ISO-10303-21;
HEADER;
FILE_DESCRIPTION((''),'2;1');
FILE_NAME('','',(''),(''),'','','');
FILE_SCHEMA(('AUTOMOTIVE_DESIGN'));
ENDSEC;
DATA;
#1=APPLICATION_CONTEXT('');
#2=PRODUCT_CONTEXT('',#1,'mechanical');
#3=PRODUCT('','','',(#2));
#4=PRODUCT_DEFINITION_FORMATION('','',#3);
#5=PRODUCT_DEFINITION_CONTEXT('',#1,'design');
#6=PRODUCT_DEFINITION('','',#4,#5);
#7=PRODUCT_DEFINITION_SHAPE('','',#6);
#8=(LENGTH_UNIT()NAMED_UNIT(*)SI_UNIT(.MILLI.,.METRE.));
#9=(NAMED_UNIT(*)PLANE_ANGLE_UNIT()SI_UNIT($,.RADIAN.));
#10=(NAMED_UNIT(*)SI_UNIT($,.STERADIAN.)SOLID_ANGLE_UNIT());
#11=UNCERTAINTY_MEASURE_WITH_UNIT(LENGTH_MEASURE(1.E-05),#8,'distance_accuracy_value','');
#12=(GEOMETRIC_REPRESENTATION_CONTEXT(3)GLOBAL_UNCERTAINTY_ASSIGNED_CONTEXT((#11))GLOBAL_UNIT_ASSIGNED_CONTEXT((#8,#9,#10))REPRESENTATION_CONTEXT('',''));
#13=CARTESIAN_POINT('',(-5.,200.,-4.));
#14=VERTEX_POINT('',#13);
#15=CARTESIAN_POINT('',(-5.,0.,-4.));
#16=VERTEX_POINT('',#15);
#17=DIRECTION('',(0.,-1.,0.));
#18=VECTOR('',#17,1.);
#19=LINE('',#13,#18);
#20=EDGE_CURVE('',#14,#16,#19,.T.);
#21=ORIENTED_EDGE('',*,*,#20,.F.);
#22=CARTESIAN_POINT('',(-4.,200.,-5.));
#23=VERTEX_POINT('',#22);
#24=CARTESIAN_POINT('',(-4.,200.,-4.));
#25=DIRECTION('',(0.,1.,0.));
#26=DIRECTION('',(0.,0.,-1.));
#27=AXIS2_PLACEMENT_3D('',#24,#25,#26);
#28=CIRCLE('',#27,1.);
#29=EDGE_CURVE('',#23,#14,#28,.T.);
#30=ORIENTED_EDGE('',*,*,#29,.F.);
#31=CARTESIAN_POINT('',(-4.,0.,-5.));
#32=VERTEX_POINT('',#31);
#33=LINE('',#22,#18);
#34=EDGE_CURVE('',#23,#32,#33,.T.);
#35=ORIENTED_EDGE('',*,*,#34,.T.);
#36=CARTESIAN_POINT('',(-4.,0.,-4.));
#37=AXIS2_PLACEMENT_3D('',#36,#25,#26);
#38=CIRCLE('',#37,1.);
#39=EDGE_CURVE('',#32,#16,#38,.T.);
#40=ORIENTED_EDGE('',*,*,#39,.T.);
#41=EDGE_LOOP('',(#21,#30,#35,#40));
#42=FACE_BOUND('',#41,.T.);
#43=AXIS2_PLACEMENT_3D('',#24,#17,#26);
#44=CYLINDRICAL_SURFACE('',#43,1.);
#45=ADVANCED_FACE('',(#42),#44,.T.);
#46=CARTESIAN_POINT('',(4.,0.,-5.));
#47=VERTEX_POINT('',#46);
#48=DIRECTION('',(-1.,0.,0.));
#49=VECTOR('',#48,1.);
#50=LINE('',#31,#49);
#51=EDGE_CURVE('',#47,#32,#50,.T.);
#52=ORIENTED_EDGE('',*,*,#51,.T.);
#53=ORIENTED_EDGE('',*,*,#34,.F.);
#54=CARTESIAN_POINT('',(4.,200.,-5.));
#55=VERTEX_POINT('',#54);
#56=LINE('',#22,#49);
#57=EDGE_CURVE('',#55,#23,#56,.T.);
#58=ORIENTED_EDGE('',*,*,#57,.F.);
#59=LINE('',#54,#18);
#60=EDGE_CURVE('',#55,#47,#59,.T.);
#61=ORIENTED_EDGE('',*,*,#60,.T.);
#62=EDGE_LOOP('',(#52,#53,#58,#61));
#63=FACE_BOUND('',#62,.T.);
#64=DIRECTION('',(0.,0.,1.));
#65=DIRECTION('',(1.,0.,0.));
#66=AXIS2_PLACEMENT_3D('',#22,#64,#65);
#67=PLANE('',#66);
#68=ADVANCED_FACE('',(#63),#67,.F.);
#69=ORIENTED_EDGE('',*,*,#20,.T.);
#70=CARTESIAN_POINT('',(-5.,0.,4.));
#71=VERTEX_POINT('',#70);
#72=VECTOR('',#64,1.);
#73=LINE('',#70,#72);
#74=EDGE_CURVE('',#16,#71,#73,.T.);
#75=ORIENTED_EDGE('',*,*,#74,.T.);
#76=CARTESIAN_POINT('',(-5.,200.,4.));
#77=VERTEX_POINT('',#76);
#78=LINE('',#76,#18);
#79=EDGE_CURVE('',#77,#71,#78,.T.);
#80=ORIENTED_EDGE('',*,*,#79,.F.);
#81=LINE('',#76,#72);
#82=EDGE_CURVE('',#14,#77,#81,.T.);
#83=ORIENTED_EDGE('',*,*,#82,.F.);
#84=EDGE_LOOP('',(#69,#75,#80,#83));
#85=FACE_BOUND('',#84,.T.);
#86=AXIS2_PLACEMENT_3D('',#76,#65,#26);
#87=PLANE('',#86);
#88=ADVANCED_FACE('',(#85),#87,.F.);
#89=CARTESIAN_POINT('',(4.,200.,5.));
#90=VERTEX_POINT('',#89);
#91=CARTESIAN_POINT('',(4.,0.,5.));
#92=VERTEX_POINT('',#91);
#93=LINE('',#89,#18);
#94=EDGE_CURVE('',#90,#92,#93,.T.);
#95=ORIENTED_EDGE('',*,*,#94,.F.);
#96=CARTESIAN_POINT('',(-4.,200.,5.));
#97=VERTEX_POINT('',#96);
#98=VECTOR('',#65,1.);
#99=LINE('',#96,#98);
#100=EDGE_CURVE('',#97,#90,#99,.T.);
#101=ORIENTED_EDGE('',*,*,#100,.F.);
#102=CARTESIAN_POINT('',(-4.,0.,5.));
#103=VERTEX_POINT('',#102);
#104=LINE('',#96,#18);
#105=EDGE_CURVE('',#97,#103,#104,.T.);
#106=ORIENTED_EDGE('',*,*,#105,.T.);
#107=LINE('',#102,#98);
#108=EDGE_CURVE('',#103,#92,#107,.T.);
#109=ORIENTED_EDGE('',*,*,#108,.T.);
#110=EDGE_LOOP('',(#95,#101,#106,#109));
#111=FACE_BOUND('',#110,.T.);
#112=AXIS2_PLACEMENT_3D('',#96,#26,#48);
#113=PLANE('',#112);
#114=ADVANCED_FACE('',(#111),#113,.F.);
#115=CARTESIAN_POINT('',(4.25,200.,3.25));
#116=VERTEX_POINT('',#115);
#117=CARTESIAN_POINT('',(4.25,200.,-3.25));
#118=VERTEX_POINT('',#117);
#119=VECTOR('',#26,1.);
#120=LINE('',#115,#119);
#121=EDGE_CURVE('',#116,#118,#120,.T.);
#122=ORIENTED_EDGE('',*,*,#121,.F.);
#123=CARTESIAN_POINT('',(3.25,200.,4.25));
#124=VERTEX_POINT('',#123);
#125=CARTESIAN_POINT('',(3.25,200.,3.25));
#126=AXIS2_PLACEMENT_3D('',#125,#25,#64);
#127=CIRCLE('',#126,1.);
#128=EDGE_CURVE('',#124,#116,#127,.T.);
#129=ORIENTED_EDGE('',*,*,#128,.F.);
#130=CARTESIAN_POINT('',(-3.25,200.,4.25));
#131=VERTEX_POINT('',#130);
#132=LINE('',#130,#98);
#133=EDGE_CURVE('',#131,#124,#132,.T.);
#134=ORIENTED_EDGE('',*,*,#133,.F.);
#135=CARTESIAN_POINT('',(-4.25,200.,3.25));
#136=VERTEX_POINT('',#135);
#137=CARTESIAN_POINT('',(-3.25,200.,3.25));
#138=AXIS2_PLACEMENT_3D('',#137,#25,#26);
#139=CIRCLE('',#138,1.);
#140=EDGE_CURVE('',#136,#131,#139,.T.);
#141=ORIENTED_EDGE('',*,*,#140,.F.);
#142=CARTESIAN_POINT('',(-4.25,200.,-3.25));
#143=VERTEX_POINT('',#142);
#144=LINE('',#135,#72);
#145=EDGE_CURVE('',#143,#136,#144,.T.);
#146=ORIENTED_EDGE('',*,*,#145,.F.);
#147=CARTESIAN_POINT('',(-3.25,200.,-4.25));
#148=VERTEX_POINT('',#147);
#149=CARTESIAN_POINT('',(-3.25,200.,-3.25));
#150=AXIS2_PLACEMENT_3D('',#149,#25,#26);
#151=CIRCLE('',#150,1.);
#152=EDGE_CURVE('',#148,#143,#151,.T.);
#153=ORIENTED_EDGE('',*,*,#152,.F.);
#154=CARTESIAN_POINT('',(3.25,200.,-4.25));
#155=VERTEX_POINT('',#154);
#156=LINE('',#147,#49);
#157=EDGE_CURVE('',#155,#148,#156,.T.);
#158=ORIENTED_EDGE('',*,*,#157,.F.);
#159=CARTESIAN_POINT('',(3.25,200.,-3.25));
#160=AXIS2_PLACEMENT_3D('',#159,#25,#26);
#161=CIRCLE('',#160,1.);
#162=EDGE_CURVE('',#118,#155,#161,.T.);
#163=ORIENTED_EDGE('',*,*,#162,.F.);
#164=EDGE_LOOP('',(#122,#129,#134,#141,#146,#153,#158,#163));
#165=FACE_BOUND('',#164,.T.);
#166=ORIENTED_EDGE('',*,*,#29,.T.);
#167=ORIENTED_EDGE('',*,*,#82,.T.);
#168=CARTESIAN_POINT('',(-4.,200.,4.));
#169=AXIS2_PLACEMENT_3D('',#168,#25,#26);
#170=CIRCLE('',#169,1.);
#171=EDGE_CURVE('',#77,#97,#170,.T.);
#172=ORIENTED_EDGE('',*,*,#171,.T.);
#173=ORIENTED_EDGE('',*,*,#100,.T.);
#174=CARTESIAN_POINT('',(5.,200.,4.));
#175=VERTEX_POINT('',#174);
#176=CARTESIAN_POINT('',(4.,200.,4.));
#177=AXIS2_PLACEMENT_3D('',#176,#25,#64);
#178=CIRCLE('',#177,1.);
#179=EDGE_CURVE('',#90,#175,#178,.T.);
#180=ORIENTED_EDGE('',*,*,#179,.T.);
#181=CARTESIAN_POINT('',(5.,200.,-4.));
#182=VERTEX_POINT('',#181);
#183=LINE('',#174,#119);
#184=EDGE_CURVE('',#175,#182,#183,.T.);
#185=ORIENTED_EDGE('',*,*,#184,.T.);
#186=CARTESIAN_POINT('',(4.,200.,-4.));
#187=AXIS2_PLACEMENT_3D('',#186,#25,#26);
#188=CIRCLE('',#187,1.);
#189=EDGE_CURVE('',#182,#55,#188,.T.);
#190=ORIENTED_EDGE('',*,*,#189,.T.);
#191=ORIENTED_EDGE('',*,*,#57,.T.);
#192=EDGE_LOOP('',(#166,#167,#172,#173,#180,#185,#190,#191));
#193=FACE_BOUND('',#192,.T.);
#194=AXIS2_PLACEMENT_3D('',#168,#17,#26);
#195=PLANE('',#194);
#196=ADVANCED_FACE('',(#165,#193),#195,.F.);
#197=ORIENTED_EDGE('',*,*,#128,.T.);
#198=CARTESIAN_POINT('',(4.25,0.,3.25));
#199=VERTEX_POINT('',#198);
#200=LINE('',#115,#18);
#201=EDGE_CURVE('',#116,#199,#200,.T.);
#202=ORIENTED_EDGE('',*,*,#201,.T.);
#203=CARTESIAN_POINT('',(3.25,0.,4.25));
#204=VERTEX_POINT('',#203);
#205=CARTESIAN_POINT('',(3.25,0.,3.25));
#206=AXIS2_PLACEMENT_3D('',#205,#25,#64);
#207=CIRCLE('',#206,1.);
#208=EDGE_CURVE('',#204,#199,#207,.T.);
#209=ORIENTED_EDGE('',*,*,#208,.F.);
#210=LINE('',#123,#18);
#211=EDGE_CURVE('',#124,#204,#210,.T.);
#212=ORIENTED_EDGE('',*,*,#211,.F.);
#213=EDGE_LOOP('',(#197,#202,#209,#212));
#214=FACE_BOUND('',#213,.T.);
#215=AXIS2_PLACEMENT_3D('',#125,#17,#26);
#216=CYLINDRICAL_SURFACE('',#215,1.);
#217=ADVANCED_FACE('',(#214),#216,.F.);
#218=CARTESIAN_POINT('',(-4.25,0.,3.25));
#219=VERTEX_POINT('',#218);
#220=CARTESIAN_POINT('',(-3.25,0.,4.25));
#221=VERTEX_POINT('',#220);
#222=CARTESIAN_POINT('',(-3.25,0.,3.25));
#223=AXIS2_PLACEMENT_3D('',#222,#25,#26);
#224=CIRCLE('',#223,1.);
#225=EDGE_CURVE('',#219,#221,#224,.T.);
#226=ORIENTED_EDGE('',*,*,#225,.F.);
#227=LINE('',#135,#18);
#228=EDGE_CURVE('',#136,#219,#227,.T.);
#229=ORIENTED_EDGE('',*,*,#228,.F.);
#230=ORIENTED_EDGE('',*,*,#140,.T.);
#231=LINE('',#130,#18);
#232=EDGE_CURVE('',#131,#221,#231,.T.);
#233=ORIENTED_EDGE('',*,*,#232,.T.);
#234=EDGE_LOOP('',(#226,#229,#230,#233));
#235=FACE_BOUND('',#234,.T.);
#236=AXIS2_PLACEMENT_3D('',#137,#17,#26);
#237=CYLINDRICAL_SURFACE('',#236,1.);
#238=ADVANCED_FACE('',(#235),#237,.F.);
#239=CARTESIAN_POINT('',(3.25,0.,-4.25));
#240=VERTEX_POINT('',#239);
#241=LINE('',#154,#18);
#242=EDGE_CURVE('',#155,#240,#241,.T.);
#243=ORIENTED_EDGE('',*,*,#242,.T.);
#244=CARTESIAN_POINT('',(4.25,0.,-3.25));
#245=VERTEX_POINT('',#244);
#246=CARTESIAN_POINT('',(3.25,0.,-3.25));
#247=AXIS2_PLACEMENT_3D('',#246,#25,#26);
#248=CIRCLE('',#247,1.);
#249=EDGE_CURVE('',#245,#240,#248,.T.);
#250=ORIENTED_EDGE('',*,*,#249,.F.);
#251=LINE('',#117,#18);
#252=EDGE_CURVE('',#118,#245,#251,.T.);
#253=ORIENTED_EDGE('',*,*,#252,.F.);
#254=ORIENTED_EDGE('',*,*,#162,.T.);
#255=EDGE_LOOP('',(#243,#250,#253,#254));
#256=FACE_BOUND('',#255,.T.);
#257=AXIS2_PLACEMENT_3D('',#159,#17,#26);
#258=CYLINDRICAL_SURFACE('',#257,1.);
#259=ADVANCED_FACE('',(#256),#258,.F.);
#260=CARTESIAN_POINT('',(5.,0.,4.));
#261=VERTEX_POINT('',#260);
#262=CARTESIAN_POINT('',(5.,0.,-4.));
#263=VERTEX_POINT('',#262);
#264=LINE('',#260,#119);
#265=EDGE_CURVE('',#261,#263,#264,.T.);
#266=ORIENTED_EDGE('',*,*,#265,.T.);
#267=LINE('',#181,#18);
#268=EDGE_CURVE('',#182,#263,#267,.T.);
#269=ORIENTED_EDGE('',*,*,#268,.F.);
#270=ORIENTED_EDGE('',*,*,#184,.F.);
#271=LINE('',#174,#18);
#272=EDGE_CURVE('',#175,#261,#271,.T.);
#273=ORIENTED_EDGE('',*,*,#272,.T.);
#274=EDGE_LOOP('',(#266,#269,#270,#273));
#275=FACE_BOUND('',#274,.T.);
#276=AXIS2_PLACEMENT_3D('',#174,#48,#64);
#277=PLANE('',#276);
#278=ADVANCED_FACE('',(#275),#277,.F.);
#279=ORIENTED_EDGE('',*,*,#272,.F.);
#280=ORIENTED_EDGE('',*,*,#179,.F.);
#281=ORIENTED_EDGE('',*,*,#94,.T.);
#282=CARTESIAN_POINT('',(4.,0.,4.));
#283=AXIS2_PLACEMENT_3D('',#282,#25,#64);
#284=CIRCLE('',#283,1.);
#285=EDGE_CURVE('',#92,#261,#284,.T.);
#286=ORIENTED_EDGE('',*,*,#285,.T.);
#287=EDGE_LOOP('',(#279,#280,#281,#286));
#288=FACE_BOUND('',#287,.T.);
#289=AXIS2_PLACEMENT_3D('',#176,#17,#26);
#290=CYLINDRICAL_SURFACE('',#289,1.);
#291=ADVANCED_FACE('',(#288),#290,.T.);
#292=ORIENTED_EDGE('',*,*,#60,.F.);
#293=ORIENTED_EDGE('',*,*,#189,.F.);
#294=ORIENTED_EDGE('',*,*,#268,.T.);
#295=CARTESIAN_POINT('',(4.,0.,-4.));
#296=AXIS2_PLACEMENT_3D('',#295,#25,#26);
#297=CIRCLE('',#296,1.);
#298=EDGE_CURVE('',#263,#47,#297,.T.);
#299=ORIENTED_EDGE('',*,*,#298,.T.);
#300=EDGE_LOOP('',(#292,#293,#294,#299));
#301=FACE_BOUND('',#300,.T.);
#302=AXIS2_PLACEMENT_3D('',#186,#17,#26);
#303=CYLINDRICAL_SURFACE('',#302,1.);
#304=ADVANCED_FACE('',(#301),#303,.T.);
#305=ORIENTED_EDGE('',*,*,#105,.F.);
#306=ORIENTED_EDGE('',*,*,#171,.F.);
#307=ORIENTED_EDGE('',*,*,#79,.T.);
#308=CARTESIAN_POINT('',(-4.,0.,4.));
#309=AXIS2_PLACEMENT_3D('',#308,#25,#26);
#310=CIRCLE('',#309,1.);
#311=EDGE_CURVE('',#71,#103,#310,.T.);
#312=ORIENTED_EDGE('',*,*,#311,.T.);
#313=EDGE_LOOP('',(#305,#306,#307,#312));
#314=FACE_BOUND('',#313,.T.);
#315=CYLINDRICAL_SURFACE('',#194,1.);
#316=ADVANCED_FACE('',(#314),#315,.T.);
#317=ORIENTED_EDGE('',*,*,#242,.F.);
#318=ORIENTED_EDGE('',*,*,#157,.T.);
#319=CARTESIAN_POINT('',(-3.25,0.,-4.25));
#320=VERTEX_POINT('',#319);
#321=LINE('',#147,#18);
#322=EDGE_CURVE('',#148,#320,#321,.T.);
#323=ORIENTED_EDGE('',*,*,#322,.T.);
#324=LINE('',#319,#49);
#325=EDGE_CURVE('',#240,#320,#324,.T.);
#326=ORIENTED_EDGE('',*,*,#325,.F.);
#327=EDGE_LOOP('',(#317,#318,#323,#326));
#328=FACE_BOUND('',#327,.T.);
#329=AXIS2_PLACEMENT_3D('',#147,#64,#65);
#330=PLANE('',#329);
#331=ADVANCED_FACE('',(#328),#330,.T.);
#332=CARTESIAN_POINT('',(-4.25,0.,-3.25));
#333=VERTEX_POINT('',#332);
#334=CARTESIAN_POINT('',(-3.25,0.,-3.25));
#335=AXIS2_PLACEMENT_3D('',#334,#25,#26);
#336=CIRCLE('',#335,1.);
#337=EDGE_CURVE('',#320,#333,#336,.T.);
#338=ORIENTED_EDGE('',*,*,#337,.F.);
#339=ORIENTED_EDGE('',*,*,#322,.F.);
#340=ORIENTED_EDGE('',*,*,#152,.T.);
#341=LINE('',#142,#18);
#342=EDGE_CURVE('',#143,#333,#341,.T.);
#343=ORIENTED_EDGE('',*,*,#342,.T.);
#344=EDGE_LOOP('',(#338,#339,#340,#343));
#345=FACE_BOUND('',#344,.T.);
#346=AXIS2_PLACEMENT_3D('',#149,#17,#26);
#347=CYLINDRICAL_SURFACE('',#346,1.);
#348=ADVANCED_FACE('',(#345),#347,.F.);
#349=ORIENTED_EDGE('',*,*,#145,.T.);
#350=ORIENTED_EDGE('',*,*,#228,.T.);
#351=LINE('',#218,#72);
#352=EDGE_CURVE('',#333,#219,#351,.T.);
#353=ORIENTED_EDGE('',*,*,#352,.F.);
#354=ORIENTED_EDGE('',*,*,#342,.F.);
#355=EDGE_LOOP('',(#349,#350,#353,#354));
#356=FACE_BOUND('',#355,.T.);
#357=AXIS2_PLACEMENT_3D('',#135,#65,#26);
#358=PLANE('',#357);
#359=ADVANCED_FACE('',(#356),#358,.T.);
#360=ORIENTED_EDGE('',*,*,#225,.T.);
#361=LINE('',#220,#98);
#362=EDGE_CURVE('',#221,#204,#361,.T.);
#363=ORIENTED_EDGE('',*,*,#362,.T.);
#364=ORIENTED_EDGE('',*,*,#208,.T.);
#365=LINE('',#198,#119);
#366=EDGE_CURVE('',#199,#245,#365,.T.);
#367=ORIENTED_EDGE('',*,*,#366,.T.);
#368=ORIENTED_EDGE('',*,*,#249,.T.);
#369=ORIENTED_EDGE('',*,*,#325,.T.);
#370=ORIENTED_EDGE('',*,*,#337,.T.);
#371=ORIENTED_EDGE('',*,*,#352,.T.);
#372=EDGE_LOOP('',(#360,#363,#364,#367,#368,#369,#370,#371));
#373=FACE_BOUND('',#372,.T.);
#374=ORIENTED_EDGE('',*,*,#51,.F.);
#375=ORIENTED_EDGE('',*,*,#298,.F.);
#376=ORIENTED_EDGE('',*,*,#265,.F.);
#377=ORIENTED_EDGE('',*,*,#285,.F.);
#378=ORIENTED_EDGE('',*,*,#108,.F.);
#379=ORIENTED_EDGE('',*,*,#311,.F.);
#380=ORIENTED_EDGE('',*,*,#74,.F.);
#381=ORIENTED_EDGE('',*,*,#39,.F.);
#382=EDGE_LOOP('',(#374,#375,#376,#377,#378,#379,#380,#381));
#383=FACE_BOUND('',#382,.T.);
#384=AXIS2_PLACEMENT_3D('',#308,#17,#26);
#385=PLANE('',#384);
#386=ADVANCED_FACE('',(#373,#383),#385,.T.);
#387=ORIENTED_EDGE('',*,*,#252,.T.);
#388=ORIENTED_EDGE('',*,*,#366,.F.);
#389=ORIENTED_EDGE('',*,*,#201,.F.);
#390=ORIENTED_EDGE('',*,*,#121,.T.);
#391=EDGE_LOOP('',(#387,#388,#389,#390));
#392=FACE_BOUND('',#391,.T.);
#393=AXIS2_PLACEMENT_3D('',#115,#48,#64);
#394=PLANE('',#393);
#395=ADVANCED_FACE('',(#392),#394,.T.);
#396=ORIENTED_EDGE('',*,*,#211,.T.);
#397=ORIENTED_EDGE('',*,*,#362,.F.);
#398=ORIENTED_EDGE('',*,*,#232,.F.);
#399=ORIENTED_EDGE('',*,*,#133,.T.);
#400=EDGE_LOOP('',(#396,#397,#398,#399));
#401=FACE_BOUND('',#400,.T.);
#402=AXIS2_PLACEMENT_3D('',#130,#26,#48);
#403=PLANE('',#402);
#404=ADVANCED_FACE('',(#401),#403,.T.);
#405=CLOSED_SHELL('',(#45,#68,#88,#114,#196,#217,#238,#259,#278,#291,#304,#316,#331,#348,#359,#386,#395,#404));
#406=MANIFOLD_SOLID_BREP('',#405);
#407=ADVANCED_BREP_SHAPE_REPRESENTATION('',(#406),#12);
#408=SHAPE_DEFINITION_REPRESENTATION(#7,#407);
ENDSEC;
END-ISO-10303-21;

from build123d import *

# Parameters (mm, degrees)
BOSS_EXTRUDE1_DEPTH = 200


with BuildPart() as part:
    # Sketch1 → Boss-Extrude1 (new body)
    with BuildSketch(Plane(origin=(0, 0, 0), x_dir=(1, 0, 0), z_dir=(0, 1, 0))):
        with BuildLine():
            Line((-4, -5), (4, -5))
            ThreePointArc((4, -5), (4.707106781, -4.707106781), (5, -4))
            Line((5, -4), (5, 4))
            ThreePointArc((5, 4), (4.707106781, 4.707106781), (4, 5))
            Line((4, 5), (-4, 5))
            ThreePointArc((-4, 5), (-4.707106781, 4.707106781), (-5, 4))
            Line((-5, 4), (-5, -4))
            ThreePointArc((-5, -4), (-4.707106781, -4.707106781), (-4, -5))
        make_face()
        with BuildLine():
            Line((-3.25, -4.25), (3.25, -4.25))
            ThreePointArc((3.25, -4.25), (3.957106781, -3.957106781), (4.25, -3.25))
            Line((4.25, -3.25), (4.25, 3.25))
            ThreePointArc((4.25, 3.25), (3.957106781, 3.957106781), (3.25, 4.25))
            Line((3.25, 4.25), (-3.25, 4.25))
            ThreePointArc((-3.25, 4.25), (-3.957106781, 3.957106781), (-4.25, 3.25))
            Line((-4.25, 3.25), (-4.25, -3.25))
            ThreePointArc((-4.25, -3.25), (-3.957106781, -3.957106781), (-3.25, -4.25))
        make_face(mode=Mode.SUBTRACT)
    extrude(amount=BOSS_EXTRUDE1_DEPTH)


solid = part.part
